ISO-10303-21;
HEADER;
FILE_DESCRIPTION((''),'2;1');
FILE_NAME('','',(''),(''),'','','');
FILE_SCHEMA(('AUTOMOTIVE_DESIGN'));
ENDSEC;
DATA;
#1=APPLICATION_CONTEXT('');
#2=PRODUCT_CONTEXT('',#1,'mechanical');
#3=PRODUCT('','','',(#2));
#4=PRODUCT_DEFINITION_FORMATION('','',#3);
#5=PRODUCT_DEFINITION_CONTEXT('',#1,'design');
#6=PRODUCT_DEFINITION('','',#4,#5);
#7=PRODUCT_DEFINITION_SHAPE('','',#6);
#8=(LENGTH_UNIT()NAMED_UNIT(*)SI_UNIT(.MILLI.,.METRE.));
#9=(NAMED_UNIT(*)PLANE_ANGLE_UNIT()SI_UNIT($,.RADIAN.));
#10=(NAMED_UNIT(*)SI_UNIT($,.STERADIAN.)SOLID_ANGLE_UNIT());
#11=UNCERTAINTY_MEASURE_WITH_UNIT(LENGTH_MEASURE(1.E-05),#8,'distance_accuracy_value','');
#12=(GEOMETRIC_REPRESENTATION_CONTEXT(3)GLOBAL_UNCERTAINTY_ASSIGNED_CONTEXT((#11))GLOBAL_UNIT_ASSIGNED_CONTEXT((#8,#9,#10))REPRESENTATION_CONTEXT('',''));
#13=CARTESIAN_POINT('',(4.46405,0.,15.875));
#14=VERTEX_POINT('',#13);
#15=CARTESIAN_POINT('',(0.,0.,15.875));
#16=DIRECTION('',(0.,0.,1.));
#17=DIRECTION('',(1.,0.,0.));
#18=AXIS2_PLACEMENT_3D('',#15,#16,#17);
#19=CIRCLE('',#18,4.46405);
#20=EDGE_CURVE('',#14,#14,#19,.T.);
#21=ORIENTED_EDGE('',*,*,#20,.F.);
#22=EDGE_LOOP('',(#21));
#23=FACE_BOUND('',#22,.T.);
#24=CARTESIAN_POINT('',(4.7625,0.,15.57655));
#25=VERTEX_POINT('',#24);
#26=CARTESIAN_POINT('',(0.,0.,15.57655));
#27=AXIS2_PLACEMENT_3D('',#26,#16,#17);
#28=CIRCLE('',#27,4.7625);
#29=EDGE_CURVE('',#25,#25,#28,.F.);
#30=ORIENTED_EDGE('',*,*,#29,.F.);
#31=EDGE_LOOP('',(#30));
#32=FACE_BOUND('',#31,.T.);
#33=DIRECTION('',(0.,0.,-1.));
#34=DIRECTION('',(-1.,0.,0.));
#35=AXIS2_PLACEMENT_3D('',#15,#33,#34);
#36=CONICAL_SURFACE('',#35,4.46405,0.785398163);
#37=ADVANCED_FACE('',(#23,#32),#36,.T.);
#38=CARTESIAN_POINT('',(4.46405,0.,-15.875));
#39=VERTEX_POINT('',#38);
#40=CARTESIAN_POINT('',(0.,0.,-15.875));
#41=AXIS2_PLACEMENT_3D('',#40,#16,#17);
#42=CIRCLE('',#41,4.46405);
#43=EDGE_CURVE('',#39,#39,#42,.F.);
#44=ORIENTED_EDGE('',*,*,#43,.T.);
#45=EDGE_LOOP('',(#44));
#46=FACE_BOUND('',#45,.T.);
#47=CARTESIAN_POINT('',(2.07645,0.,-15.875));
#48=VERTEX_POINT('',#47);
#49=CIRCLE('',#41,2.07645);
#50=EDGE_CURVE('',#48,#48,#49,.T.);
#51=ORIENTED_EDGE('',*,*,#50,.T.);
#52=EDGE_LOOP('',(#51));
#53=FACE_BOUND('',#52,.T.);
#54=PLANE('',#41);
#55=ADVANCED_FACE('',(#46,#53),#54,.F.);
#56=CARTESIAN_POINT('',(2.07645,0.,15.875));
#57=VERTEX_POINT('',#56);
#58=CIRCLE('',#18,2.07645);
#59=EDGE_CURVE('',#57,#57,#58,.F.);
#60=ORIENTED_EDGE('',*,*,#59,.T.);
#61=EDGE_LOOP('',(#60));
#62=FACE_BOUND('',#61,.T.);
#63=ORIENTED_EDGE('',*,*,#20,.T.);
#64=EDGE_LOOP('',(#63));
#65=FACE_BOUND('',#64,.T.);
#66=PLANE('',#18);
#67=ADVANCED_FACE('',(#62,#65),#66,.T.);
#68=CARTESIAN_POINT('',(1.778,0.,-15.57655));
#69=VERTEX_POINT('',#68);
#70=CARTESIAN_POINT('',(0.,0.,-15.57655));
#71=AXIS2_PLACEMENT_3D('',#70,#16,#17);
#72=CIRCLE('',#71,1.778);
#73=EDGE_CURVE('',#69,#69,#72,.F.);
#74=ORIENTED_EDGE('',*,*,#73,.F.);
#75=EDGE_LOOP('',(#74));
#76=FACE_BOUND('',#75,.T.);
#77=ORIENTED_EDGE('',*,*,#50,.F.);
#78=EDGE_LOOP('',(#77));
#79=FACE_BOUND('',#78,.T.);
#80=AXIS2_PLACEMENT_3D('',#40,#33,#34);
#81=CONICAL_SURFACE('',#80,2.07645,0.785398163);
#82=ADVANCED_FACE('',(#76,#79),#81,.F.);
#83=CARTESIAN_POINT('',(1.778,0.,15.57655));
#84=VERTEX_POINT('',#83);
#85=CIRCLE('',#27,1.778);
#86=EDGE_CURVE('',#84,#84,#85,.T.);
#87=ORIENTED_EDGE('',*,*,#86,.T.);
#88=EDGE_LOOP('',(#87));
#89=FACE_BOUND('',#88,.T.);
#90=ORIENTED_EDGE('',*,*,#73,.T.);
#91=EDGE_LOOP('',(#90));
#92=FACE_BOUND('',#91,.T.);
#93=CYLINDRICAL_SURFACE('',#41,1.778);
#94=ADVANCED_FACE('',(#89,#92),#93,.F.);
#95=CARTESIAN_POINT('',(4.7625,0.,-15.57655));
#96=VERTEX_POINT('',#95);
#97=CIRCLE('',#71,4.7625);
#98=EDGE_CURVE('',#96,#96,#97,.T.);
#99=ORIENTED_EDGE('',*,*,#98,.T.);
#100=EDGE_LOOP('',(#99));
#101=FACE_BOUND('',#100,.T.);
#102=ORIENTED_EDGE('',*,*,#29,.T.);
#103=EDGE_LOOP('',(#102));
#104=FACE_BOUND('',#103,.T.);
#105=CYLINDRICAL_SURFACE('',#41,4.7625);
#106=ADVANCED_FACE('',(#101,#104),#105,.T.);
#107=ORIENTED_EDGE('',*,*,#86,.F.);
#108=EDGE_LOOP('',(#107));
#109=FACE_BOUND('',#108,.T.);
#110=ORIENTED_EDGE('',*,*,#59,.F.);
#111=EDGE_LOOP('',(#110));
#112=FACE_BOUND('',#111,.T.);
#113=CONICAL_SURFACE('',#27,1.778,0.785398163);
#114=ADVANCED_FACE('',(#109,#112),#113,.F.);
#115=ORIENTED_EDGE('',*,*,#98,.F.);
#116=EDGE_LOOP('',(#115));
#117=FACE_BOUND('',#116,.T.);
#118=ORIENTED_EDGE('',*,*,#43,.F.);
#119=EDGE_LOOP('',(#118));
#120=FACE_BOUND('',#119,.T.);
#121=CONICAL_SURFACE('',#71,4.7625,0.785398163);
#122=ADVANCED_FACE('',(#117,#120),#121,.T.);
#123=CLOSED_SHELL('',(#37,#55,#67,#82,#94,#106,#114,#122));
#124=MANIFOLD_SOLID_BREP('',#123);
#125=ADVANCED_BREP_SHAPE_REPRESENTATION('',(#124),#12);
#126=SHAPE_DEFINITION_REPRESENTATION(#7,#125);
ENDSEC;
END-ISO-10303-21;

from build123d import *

# Parameters (mm, degrees)
BOSS_EXTRUDE1_DEPTH      = 15.875
BOSS_EXTRUDE1_DEPTH_BACK = 15.875
SKETCH3_R                = 4.7625
SKETCH3_R_2              = 1.778
CHAMFER1_SIZE            = 0.29845


with BuildPart() as part:
    # Sketch3 → Boss-Extrude1 (new, two sides: drawn at the far end of the back side and taken through both)
    with BuildSketch(Plane.XY.offset(-BOSS_EXTRUDE1_DEPTH_BACK)):
        Circle(SKETCH3_R)
        Circle(SKETCH3_R_2, mode=Mode.SUBTRACT)
    extrude(amount=BOSS_EXTRUDE1_DEPTH + BOSS_EXTRUDE1_DEPTH_BACK)

    # Chamfer1
    chamfer1_edges = [part.edges().sort_by_distance(p)[0] for p in [
        (-4.7625, 0, -15.875),
        (-1.778, 0, -15.875),
        (-4.7625, 0, 15.875),
        (-1.778, 0, 15.875),
    ]]
    chamfer(chamfer1_edges, length=CHAMFER1_SIZE)


solid = part.part
